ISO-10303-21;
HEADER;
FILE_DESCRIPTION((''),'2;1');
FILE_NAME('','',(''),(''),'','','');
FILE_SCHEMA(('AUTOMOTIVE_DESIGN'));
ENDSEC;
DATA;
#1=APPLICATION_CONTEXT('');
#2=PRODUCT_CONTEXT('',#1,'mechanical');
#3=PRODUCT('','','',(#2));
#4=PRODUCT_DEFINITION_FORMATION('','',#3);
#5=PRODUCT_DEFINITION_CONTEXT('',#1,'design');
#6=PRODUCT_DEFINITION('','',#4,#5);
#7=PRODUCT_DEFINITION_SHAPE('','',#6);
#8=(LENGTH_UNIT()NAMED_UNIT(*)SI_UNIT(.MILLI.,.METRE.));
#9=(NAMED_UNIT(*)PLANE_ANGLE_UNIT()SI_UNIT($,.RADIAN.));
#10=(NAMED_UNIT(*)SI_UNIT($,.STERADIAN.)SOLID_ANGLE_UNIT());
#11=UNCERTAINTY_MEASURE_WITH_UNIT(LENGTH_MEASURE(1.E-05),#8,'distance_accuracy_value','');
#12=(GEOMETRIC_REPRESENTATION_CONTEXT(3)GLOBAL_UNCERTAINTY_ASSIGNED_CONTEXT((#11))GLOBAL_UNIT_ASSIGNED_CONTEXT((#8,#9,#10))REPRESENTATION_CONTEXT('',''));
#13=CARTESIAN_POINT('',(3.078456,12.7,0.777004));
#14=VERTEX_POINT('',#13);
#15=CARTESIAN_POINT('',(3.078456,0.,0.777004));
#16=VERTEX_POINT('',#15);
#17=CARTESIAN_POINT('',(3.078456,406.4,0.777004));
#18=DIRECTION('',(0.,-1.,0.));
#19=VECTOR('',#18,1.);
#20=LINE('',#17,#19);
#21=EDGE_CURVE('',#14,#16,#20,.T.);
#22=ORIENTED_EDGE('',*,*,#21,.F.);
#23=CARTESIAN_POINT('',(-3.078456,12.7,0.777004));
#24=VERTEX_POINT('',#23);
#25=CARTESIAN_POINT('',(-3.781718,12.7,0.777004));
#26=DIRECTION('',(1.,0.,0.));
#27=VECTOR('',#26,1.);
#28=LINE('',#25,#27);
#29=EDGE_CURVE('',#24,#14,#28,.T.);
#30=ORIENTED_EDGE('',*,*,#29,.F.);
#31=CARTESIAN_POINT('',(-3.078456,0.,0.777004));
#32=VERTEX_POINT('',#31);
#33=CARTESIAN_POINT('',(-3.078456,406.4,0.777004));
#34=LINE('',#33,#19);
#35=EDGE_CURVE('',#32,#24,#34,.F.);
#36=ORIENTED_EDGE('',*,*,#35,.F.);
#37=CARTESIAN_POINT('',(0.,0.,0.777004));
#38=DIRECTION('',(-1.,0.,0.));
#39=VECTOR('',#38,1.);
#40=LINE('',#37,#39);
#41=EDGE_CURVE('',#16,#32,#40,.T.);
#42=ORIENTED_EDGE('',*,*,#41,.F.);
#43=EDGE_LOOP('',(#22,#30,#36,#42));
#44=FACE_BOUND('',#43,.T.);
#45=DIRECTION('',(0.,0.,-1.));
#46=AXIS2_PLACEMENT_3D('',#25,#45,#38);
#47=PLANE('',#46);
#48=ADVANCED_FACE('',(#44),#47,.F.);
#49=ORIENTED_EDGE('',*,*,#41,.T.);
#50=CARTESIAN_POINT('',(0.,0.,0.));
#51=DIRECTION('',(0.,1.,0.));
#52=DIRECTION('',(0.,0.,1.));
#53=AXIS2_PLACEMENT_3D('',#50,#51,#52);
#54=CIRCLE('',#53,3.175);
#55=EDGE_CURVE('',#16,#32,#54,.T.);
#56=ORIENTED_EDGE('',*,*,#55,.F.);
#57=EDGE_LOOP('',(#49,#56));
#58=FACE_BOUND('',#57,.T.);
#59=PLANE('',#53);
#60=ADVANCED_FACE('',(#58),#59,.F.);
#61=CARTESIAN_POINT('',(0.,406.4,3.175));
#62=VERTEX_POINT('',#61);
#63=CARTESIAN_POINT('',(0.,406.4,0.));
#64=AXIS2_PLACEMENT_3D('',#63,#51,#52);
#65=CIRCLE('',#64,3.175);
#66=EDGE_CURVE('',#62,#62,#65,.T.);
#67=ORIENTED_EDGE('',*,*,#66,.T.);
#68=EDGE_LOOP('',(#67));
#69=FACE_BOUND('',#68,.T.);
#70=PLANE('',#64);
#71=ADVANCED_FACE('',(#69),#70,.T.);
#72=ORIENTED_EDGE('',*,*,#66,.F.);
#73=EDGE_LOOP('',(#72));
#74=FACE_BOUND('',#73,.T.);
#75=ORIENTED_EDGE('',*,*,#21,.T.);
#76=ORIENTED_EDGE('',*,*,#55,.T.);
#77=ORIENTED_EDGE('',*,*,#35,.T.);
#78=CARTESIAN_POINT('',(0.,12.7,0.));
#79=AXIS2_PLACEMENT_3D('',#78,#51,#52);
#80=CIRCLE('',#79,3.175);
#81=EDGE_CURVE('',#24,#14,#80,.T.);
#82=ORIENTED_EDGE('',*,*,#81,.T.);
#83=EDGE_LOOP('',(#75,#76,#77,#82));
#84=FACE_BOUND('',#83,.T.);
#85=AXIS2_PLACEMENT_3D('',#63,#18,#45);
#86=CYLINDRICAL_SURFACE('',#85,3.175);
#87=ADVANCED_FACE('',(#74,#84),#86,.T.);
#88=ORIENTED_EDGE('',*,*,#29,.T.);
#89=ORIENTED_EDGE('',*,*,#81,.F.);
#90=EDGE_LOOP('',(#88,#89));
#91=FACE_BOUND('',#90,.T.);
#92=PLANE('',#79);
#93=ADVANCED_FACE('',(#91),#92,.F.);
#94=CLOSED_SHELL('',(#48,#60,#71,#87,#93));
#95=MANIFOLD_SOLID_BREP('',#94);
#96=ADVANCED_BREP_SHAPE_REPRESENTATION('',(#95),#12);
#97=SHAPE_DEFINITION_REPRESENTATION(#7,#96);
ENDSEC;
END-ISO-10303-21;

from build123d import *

# Parameters (mm, degrees)
SKETCH1_R           = 3.175
BOSS_EXTRUDE1_DEPTH = 406.4
SKETCH2_W           = 7.590384308
SKETCH2_H           = 2.596001261
CUT_EXTRUDE1_DEPTH  = 12.7


with BuildPart() as part:
    # Sketch1 → Boss-Extrude1 (new body)
    with BuildSketch(Plane(origin=(0, 0, 0), x_dir=(1, 0, 0), z_dir=(0, 1, 0))):
        Circle(SKETCH1_R)
    extrude(amount=BOSS_EXTRUDE1_DEPTH)

    # Sketch2 → Cut-Extrude1 (cut)
    with BuildSketch(Plane.XZ):
        with Locations((0.013474055, 2.075004468)):
            Rectangle(SKETCH2_W, SKETCH2_H)
    extrude(amount=-CUT_EXTRUDE1_DEPTH, mode=Mode.SUBTRACT)


solid = part.part
